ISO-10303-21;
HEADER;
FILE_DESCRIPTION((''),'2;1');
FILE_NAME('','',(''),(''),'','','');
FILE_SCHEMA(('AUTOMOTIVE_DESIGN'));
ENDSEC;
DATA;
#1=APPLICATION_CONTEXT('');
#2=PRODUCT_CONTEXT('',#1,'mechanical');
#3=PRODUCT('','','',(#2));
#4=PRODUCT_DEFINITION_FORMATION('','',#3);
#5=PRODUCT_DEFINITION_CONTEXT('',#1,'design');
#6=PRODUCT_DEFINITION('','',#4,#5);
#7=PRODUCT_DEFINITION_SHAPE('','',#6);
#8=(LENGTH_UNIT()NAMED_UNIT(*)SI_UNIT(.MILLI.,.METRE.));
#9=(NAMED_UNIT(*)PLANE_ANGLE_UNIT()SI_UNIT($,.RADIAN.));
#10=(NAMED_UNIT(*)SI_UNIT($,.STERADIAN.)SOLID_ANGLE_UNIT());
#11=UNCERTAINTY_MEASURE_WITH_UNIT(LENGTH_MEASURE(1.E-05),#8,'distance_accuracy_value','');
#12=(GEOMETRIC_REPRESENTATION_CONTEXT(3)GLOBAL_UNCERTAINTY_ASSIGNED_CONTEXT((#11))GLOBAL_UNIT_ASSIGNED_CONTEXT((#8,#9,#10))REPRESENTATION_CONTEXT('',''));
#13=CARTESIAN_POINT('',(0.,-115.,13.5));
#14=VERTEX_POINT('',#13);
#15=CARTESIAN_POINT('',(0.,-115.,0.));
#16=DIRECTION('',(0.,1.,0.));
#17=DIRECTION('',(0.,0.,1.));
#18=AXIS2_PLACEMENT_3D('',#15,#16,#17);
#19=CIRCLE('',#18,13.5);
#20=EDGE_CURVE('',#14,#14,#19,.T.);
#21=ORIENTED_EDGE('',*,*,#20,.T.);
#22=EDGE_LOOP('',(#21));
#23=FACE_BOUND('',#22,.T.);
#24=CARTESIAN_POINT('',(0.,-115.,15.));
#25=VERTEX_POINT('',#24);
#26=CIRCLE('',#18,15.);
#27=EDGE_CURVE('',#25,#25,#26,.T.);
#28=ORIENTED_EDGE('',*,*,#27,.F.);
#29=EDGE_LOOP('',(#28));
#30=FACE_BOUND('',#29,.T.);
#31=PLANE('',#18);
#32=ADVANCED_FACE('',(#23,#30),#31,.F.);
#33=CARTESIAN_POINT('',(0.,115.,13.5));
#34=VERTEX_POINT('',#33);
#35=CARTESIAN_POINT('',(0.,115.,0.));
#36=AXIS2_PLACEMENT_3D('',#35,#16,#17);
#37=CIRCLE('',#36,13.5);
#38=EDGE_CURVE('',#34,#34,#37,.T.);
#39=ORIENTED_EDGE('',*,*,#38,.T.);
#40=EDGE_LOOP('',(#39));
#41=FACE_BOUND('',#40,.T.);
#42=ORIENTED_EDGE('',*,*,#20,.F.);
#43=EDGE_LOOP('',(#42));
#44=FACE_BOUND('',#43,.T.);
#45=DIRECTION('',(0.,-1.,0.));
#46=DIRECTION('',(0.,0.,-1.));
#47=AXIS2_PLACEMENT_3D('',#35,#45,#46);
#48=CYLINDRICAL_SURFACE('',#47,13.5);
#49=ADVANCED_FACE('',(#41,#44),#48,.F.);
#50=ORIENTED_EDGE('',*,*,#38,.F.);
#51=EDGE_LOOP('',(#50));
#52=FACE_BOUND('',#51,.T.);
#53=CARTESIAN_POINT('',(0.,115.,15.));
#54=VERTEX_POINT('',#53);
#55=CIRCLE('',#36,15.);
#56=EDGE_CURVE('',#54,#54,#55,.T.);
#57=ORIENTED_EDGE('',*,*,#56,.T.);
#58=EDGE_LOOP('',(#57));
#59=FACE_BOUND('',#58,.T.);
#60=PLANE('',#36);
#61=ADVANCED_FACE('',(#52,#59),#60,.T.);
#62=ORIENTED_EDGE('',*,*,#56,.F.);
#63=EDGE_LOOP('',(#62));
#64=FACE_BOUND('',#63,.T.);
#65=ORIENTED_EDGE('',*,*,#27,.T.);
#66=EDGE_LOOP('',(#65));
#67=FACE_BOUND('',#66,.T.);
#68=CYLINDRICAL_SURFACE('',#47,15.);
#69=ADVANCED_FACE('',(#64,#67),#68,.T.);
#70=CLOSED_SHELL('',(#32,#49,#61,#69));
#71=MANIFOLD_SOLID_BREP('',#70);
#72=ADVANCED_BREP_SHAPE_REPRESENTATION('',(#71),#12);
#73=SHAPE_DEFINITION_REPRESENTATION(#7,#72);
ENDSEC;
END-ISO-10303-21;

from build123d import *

# Parameters (mm, degrees)
SKETCH1_R           = 15
SKETCH1_R_2         = 13.5
BOSS_EXTRUDE1_DEPTH = 115


with BuildPart() as part:
    # Sketch1 → Boss-Extrude1 (new, symmetric)
    with BuildSketch(Plane(origin=(0, 0, 0), x_dir=(1, 0, 0), z_dir=(0, 1, 0))):
        with Locations(Location((0, 0, 0), (0, 0, 270))):
            Circle(SKETCH1_R)
        with Locations(Location((0, 0, 0), (0, 0, 270))):
            Circle(SKETCH1_R_2, mode=Mode.SUBTRACT)
    extrude(amount=BOSS_EXTRUDE1_DEPTH, both=True)


solid = part.part
